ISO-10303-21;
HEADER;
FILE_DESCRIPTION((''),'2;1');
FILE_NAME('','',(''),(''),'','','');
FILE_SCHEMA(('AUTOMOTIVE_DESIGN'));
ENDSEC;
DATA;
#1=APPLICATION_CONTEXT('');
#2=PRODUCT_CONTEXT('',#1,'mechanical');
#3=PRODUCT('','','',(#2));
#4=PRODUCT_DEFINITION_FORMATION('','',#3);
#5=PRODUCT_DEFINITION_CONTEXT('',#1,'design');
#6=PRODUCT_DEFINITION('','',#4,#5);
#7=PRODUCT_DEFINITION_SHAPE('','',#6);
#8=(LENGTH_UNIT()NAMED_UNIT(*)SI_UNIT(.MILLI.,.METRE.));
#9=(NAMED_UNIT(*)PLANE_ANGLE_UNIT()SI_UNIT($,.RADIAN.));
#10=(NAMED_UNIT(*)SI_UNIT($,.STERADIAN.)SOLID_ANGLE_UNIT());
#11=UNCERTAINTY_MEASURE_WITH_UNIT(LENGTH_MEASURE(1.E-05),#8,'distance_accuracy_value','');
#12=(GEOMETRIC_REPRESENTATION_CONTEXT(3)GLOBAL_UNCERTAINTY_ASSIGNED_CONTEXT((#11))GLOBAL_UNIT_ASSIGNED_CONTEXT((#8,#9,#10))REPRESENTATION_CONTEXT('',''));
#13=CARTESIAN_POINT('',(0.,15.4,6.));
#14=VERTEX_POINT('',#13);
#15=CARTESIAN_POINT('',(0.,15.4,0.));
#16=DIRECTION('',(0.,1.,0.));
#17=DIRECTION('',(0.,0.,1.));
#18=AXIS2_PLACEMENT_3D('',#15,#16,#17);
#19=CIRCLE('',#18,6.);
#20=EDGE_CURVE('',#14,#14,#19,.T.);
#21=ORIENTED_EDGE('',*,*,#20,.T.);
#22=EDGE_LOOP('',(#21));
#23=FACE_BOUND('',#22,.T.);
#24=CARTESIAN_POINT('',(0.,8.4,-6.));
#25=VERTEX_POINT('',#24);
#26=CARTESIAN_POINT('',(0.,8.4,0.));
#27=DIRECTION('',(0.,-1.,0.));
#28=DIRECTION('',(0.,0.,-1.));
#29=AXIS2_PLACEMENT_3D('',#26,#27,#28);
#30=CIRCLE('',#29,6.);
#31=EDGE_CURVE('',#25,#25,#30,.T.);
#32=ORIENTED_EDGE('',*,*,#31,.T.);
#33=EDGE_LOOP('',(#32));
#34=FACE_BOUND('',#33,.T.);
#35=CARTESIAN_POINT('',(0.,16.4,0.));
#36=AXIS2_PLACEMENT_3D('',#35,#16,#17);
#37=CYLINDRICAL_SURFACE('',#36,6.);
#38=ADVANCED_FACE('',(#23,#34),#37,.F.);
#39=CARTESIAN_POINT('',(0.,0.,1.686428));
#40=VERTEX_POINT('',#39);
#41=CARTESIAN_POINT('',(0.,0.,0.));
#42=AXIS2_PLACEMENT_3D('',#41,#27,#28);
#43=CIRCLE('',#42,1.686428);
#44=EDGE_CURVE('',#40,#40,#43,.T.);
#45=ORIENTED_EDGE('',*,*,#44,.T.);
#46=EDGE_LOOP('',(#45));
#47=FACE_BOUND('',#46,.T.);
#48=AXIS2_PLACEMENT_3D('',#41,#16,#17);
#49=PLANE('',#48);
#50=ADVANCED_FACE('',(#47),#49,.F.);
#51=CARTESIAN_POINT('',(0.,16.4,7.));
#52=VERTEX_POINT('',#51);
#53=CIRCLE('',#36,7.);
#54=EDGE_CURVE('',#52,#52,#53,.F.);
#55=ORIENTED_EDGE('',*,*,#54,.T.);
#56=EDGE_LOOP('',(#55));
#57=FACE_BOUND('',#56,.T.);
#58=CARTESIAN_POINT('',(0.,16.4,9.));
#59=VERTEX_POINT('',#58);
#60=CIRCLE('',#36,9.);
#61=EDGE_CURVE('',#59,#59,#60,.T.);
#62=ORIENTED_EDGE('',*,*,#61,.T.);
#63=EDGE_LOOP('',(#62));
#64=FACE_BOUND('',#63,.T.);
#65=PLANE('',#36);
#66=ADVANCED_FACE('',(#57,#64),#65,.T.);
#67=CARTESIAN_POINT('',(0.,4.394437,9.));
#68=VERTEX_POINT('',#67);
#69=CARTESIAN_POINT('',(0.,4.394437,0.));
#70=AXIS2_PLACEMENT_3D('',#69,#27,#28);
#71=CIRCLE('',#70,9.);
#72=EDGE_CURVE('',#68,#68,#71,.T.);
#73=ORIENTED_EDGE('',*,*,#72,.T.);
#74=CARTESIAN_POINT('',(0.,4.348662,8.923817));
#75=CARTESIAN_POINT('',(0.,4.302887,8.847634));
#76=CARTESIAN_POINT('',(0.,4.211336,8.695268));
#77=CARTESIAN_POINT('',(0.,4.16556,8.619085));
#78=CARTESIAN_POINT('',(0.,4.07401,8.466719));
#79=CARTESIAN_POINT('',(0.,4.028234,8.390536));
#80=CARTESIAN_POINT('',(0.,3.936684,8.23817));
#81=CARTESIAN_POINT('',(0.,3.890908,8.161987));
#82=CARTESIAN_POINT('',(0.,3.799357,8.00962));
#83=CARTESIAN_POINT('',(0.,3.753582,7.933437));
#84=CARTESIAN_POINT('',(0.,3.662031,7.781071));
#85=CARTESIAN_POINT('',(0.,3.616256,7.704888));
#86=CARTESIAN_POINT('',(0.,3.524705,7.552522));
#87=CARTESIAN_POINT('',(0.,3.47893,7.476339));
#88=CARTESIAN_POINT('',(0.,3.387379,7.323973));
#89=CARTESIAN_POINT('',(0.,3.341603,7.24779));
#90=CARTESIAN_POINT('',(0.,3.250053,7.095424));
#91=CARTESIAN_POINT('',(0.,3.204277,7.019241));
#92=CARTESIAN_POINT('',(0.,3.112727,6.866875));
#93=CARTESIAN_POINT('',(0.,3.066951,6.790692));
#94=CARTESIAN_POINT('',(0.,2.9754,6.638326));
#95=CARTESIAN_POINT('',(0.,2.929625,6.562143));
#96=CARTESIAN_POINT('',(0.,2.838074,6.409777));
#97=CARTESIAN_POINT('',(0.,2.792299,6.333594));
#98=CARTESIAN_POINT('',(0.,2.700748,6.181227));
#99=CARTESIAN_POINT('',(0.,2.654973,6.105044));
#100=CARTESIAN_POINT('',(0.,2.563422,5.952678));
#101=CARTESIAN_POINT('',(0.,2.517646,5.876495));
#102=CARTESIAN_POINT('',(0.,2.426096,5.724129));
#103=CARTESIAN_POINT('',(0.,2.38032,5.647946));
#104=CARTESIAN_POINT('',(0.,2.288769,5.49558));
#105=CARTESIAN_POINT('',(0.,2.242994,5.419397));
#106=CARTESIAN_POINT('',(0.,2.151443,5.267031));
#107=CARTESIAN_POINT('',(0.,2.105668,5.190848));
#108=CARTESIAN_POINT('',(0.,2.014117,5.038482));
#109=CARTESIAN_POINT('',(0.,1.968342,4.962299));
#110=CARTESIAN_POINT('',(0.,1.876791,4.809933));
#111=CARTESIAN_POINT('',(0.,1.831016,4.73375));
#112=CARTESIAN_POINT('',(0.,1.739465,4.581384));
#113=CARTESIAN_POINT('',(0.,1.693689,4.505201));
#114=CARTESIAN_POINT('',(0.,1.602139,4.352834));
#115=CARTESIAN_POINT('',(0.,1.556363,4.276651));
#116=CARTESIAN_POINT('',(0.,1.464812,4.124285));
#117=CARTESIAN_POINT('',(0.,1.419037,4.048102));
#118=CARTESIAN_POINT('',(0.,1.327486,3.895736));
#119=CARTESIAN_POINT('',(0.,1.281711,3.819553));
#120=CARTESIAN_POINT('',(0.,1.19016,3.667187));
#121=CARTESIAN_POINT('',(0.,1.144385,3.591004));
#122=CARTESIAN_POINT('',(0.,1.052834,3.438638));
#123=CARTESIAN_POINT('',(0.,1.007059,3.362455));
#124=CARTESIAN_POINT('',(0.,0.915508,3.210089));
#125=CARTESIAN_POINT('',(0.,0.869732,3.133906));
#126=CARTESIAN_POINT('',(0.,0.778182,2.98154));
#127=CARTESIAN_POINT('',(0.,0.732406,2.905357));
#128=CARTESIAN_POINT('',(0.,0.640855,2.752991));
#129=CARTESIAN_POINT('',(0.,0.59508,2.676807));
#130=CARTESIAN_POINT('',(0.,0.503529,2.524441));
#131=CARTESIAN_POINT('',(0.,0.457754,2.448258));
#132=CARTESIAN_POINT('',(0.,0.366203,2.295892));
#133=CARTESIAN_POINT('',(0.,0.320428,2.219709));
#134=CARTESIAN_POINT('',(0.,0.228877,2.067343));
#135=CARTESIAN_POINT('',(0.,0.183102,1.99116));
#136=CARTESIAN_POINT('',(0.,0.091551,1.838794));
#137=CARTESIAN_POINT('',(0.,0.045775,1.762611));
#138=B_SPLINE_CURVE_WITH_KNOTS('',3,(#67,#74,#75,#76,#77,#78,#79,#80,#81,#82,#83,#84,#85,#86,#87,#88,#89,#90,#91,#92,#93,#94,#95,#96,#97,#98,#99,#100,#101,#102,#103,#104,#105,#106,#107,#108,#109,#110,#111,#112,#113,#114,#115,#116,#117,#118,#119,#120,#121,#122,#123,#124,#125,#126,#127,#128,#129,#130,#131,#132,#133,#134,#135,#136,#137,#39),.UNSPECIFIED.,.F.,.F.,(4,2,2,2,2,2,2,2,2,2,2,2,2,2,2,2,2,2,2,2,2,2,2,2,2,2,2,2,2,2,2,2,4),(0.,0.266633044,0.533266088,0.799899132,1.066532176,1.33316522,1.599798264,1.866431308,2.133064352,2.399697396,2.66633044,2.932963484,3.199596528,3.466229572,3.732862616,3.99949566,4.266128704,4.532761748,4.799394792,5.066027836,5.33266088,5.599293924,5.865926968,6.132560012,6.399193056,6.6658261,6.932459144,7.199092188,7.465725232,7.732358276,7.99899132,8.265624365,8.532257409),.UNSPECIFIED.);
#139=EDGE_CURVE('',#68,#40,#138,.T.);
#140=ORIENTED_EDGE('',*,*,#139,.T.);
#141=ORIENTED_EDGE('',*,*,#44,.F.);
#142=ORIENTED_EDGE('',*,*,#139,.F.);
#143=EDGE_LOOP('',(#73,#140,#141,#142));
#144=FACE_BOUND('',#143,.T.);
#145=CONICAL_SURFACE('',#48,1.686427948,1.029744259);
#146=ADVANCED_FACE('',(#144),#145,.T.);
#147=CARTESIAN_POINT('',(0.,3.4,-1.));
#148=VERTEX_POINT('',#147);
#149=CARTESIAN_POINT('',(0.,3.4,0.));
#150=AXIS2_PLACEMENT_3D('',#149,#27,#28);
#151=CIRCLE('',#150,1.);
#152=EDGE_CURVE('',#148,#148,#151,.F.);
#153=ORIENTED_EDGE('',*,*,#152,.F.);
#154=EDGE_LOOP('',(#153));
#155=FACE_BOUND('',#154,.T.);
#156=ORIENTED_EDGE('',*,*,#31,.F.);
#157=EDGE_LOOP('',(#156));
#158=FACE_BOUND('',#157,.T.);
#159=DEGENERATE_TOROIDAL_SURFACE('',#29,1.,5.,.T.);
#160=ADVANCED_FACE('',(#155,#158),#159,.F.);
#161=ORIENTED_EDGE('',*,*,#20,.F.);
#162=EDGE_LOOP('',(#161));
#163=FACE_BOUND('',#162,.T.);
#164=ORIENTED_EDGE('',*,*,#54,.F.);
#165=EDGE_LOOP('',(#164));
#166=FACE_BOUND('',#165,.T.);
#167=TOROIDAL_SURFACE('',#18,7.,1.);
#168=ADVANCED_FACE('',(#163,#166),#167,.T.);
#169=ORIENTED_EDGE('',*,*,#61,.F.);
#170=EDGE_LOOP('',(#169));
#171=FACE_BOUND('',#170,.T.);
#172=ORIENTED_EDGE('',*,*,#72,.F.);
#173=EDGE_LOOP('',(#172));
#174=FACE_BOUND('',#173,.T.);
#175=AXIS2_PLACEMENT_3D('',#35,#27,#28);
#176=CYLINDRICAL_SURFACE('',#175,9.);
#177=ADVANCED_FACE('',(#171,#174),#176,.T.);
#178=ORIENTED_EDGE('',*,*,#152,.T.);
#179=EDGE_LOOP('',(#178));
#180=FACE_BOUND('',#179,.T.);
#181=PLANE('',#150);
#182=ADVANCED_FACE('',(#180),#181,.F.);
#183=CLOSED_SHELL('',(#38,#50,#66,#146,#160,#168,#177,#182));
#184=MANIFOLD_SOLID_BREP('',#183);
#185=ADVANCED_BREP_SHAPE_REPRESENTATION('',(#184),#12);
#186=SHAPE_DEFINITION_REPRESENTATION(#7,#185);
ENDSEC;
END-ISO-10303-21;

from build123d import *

# Parameters (mm, degrees)
SKETCH1_R           = 9
BOSS_EXTRUDE1_DEPTH = 16.4
SKETCH2_W           = 6
SKETCH2_H           = 13
FILLET1_R           = 5
FILLET2_R           = 1


with BuildPart() as part:
    # Sketch1 → Boss-Extrude1 (new body)
    with BuildSketch(Plane(origin=(0, 0, 0), x_dir=(1, 0, 0), z_dir=(0, 1, 0))):
        with Locations(Location((0, 0, 0), (0, 0, 270))):
            Circle(SKETCH1_R)
    extrude(amount=BOSS_EXTRUDE1_DEPTH)

    # Sketch2 → Ø12.0mm Dowel Hole1 (revolve, cut)
    with BuildSketch(Plane(origin=(0, 16.4, 0), x_dir=(0, 0, 1), z_dir=(1, 0, 0))):
        with Locations((3, 6.5)):
            Rectangle(SKETCH2_W, SKETCH2_H)
    revolve(axis=Axis((0, 19.332571692, 0), (0, -1, 0)), mode=Mode.SUBTRACT)

    # Sketch3 → Cut-Revolve1 (revolve, cut)
    with BuildSketch(Plane(origin=(0, 0, 0), x_dir=(0, 0, -1), z_dir=(1, 0, 0))):
        Polygon((-9, 0), (-1.686427948, 0), (-9, 4.39443743), align=None)
    revolve(axis=Axis((0, 0, 0), (0, 1, 0)), mode=Mode.SUBTRACT)

    # Fillet1
    fillet1_edges = [part.edges().sort_by_distance(p)[0] for p in [
        (0, 3.4, -6),
    ]]
    fillet(fillet1_edges, radius=FILLET1_R)

    # Fillet2
    fillet2_edges = [part.edges().sort_by_distance(p)[0] for p in [
        (0, 16.4, -6),
    ]]
    fillet(fillet2_edges, radius=FILLET2_R)


solid = part.part
